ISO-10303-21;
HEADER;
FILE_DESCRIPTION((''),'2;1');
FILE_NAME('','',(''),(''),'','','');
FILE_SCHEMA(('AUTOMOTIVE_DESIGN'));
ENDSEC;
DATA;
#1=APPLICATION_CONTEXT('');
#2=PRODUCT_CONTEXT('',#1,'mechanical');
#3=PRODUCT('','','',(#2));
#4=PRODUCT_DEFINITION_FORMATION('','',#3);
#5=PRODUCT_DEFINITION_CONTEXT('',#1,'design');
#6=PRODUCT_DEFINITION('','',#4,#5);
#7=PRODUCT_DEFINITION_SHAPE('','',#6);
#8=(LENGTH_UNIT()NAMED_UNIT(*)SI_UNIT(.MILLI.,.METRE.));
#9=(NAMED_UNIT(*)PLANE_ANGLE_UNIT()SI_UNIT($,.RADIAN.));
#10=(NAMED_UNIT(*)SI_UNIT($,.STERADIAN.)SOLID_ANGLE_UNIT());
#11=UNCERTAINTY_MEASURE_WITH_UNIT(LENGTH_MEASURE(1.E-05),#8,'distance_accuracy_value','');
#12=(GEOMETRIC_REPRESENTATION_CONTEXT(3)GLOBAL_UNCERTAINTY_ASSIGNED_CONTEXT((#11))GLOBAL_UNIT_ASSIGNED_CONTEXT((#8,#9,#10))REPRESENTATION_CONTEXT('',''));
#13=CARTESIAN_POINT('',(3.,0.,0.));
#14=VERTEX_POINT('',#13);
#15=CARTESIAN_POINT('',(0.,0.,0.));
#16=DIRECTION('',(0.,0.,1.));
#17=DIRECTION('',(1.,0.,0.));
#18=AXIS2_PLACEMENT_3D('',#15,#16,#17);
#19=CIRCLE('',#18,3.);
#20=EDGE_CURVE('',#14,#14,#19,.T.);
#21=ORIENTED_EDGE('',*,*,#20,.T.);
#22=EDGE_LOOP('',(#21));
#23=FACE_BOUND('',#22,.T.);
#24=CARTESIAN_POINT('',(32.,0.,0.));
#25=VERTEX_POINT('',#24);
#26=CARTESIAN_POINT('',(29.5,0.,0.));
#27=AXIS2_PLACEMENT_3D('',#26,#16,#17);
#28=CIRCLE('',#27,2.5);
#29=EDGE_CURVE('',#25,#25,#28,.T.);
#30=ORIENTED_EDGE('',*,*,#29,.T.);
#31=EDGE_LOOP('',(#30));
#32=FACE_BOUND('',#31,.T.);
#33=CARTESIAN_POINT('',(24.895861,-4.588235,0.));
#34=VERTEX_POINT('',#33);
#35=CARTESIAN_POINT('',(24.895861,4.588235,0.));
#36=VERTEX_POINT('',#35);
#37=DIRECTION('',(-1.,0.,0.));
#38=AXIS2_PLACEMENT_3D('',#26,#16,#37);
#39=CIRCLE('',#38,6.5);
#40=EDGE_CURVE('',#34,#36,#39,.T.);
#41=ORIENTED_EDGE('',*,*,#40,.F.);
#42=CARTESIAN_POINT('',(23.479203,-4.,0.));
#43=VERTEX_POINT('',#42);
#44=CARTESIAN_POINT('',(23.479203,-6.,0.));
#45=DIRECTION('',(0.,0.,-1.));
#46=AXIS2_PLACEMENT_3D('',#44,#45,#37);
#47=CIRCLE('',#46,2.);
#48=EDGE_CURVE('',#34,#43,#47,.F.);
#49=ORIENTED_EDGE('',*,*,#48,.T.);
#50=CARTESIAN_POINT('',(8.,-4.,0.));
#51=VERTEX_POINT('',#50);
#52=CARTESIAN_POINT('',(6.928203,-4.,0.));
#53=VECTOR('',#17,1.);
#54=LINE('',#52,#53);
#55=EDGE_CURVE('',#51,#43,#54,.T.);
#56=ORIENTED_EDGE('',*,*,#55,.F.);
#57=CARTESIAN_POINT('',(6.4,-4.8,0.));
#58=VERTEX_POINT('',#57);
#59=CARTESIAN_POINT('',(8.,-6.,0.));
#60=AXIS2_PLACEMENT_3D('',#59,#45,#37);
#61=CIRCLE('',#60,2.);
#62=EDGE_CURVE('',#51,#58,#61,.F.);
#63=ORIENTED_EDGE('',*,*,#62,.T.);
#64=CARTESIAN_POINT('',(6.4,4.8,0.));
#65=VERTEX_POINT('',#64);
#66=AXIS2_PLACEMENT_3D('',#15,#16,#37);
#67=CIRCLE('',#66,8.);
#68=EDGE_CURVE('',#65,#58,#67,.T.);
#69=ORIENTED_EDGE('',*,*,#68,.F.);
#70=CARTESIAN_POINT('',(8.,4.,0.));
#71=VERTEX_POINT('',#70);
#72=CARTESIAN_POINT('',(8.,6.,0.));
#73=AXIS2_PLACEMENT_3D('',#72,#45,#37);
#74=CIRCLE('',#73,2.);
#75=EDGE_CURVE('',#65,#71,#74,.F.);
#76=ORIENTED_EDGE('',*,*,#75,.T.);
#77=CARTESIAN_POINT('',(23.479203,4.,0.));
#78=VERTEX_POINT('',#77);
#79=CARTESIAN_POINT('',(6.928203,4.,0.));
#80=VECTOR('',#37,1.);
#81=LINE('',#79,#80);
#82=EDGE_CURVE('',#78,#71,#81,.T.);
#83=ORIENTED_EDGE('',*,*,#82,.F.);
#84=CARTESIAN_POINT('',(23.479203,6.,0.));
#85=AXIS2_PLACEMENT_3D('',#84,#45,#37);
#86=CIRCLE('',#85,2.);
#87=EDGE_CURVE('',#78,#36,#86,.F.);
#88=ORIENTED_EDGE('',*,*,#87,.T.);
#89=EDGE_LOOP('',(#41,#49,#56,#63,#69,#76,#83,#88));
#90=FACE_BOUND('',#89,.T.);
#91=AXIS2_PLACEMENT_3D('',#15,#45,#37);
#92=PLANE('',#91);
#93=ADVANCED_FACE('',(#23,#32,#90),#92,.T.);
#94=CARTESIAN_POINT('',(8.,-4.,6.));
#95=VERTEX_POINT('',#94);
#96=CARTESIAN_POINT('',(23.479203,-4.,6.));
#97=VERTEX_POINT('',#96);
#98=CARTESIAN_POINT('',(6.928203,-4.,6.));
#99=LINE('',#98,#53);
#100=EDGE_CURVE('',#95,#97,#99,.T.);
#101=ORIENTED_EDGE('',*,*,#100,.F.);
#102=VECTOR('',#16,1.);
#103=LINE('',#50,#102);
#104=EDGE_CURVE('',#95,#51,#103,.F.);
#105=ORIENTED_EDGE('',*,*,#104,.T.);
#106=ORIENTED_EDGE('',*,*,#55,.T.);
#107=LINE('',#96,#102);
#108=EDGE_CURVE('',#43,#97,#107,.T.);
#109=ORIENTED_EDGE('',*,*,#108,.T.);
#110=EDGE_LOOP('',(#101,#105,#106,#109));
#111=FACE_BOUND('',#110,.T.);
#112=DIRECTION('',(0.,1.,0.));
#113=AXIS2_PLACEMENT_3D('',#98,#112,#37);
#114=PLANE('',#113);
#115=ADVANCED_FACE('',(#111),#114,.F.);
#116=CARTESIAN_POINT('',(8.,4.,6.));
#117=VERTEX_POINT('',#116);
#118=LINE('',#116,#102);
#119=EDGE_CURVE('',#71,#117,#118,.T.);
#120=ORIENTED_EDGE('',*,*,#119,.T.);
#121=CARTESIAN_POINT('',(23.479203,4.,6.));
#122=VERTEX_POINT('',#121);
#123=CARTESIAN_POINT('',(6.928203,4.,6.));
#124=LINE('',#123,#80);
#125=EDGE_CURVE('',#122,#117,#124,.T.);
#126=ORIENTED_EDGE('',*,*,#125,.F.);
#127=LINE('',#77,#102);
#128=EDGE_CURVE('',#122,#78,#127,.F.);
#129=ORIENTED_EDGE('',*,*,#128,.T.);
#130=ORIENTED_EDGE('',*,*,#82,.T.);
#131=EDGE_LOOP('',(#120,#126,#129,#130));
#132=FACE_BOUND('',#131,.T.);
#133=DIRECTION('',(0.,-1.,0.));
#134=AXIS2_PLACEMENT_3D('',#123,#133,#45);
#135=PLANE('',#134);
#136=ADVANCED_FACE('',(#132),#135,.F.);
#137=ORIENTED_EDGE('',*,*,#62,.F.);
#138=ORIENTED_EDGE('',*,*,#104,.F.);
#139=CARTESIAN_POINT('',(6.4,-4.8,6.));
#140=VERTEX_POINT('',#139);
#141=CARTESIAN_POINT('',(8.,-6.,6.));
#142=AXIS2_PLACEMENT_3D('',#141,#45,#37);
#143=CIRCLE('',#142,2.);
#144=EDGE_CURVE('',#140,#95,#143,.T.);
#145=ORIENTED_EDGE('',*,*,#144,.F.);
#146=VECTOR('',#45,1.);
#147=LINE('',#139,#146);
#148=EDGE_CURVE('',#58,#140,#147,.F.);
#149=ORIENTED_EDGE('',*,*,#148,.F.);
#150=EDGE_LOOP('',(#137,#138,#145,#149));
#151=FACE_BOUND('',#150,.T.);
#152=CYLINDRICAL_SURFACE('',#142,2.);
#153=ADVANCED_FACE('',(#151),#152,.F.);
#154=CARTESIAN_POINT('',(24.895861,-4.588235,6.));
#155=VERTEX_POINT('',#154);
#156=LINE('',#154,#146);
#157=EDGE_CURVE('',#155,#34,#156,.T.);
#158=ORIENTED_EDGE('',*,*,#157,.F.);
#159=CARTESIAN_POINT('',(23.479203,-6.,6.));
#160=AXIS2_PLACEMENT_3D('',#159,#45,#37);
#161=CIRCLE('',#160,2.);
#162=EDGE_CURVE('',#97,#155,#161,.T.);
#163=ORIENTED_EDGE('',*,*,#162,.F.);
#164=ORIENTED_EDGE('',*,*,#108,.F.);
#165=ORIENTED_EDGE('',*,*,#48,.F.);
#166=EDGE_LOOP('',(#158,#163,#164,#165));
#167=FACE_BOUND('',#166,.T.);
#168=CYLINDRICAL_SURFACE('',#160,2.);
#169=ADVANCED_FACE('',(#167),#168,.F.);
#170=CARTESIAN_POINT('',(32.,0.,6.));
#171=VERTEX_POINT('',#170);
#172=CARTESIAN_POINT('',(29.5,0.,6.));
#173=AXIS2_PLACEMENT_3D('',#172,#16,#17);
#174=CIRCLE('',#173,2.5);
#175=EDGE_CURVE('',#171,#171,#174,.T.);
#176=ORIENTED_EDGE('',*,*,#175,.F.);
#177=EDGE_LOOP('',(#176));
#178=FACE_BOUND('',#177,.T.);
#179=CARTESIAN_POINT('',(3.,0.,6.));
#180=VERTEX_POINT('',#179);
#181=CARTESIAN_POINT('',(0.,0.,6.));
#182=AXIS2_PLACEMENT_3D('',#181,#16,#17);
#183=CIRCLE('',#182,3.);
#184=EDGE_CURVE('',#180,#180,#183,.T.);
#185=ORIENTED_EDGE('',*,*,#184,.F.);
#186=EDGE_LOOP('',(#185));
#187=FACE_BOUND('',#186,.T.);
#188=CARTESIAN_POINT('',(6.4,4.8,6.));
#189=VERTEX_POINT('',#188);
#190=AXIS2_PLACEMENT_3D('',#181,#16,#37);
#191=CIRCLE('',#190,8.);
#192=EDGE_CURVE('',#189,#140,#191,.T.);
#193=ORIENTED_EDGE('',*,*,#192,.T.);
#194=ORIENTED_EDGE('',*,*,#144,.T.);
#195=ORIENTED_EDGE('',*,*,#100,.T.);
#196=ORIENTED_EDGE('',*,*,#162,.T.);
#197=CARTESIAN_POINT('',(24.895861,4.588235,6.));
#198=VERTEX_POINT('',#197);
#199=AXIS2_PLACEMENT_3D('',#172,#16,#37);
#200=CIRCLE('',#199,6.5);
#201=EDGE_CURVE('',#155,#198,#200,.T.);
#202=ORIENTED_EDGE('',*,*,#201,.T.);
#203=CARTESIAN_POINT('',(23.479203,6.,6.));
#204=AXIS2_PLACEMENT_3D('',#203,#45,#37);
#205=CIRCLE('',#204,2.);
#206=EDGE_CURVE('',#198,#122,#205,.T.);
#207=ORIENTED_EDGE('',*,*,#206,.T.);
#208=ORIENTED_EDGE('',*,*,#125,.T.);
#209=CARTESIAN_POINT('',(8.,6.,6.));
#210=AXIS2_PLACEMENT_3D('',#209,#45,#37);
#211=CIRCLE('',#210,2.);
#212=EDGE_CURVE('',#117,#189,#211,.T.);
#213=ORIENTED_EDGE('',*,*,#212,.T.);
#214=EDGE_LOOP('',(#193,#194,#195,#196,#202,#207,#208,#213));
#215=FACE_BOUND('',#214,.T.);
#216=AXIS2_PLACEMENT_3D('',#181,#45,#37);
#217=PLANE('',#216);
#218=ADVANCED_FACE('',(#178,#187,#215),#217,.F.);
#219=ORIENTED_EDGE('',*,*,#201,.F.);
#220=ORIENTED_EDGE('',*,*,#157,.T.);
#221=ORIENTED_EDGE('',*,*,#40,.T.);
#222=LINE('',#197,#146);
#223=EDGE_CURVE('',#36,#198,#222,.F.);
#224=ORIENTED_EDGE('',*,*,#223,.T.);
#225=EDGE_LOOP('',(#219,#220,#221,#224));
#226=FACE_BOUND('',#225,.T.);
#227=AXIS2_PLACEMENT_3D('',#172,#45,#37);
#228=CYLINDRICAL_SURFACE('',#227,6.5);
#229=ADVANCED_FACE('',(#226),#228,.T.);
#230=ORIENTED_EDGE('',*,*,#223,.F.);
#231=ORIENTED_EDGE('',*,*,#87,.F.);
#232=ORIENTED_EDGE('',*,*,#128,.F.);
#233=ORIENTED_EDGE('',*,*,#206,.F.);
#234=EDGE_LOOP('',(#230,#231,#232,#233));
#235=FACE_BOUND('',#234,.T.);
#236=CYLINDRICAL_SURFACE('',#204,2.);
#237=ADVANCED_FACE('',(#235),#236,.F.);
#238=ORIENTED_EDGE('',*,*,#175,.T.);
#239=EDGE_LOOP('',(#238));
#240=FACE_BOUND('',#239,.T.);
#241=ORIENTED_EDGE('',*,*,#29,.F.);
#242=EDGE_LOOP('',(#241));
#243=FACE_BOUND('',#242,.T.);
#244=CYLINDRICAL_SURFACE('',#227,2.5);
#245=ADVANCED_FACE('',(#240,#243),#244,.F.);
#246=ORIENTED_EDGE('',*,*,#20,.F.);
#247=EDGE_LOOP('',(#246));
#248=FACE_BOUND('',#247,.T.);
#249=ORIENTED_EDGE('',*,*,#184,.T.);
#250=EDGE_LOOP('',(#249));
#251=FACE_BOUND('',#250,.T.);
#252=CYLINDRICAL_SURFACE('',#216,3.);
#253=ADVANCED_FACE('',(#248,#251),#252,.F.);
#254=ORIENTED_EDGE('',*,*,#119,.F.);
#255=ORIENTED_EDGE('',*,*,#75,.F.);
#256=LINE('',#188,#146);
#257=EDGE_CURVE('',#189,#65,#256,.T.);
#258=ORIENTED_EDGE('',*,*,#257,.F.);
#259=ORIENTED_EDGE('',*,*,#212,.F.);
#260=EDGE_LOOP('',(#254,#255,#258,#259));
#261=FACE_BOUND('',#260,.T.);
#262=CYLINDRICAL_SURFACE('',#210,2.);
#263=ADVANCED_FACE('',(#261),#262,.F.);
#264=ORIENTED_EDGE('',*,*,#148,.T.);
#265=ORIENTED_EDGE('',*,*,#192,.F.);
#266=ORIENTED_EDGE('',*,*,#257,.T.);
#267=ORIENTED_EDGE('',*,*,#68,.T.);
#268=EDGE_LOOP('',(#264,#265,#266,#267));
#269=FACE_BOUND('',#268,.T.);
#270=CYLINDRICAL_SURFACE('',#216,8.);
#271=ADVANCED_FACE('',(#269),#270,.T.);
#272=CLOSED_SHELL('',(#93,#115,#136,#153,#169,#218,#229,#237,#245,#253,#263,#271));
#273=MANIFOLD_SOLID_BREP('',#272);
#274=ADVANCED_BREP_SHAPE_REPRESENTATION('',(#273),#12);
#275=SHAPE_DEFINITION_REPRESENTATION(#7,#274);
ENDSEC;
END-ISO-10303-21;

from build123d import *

# Parameters (mm, degrees)
ESQUISSE1_R        = 3
ESQUISSE1_R_2      = 2.5
BOSS_EXTRU_1_DEPTH = 6
CONG_1_R           = 2


with BuildPart() as part:
    # Esquisse1 → Boss.-Extru.1 (new body)
    with BuildSketch(Plane.XY):
        with BuildLine():
            Line((6.92820323, 4), (24.376524617, 4))
            ThreePointArc((24.376524617, 4), (36, 0), (24.376524617, -4))
            Line((24.376524617, -4), (6.92820323, -4))
            ThreePointArc((6.92820323, -4), (-8, 0), (6.92820323, 4))
        make_face()
        Circle(ESQUISSE1_R, mode=Mode.SUBTRACT)
        with Locations((29.5, 0)):
            Circle(ESQUISSE1_R_2, mode=Mode.SUBTRACT)
    extrude(amount=BOSS_EXTRU_1_DEPTH)

    # Congé1
    cong_1_edges = [part.edges().sort_by_distance(p)[0] for p in [
        (6.92820323, 4, 3),
        (24.376524617, 4, 3),
        (24.376524617, -4, 3),
        (6.92820323, -4, 3),
    ]]
    fillet(cong_1_edges, radius=CONG_1_R)


solid = part.part
